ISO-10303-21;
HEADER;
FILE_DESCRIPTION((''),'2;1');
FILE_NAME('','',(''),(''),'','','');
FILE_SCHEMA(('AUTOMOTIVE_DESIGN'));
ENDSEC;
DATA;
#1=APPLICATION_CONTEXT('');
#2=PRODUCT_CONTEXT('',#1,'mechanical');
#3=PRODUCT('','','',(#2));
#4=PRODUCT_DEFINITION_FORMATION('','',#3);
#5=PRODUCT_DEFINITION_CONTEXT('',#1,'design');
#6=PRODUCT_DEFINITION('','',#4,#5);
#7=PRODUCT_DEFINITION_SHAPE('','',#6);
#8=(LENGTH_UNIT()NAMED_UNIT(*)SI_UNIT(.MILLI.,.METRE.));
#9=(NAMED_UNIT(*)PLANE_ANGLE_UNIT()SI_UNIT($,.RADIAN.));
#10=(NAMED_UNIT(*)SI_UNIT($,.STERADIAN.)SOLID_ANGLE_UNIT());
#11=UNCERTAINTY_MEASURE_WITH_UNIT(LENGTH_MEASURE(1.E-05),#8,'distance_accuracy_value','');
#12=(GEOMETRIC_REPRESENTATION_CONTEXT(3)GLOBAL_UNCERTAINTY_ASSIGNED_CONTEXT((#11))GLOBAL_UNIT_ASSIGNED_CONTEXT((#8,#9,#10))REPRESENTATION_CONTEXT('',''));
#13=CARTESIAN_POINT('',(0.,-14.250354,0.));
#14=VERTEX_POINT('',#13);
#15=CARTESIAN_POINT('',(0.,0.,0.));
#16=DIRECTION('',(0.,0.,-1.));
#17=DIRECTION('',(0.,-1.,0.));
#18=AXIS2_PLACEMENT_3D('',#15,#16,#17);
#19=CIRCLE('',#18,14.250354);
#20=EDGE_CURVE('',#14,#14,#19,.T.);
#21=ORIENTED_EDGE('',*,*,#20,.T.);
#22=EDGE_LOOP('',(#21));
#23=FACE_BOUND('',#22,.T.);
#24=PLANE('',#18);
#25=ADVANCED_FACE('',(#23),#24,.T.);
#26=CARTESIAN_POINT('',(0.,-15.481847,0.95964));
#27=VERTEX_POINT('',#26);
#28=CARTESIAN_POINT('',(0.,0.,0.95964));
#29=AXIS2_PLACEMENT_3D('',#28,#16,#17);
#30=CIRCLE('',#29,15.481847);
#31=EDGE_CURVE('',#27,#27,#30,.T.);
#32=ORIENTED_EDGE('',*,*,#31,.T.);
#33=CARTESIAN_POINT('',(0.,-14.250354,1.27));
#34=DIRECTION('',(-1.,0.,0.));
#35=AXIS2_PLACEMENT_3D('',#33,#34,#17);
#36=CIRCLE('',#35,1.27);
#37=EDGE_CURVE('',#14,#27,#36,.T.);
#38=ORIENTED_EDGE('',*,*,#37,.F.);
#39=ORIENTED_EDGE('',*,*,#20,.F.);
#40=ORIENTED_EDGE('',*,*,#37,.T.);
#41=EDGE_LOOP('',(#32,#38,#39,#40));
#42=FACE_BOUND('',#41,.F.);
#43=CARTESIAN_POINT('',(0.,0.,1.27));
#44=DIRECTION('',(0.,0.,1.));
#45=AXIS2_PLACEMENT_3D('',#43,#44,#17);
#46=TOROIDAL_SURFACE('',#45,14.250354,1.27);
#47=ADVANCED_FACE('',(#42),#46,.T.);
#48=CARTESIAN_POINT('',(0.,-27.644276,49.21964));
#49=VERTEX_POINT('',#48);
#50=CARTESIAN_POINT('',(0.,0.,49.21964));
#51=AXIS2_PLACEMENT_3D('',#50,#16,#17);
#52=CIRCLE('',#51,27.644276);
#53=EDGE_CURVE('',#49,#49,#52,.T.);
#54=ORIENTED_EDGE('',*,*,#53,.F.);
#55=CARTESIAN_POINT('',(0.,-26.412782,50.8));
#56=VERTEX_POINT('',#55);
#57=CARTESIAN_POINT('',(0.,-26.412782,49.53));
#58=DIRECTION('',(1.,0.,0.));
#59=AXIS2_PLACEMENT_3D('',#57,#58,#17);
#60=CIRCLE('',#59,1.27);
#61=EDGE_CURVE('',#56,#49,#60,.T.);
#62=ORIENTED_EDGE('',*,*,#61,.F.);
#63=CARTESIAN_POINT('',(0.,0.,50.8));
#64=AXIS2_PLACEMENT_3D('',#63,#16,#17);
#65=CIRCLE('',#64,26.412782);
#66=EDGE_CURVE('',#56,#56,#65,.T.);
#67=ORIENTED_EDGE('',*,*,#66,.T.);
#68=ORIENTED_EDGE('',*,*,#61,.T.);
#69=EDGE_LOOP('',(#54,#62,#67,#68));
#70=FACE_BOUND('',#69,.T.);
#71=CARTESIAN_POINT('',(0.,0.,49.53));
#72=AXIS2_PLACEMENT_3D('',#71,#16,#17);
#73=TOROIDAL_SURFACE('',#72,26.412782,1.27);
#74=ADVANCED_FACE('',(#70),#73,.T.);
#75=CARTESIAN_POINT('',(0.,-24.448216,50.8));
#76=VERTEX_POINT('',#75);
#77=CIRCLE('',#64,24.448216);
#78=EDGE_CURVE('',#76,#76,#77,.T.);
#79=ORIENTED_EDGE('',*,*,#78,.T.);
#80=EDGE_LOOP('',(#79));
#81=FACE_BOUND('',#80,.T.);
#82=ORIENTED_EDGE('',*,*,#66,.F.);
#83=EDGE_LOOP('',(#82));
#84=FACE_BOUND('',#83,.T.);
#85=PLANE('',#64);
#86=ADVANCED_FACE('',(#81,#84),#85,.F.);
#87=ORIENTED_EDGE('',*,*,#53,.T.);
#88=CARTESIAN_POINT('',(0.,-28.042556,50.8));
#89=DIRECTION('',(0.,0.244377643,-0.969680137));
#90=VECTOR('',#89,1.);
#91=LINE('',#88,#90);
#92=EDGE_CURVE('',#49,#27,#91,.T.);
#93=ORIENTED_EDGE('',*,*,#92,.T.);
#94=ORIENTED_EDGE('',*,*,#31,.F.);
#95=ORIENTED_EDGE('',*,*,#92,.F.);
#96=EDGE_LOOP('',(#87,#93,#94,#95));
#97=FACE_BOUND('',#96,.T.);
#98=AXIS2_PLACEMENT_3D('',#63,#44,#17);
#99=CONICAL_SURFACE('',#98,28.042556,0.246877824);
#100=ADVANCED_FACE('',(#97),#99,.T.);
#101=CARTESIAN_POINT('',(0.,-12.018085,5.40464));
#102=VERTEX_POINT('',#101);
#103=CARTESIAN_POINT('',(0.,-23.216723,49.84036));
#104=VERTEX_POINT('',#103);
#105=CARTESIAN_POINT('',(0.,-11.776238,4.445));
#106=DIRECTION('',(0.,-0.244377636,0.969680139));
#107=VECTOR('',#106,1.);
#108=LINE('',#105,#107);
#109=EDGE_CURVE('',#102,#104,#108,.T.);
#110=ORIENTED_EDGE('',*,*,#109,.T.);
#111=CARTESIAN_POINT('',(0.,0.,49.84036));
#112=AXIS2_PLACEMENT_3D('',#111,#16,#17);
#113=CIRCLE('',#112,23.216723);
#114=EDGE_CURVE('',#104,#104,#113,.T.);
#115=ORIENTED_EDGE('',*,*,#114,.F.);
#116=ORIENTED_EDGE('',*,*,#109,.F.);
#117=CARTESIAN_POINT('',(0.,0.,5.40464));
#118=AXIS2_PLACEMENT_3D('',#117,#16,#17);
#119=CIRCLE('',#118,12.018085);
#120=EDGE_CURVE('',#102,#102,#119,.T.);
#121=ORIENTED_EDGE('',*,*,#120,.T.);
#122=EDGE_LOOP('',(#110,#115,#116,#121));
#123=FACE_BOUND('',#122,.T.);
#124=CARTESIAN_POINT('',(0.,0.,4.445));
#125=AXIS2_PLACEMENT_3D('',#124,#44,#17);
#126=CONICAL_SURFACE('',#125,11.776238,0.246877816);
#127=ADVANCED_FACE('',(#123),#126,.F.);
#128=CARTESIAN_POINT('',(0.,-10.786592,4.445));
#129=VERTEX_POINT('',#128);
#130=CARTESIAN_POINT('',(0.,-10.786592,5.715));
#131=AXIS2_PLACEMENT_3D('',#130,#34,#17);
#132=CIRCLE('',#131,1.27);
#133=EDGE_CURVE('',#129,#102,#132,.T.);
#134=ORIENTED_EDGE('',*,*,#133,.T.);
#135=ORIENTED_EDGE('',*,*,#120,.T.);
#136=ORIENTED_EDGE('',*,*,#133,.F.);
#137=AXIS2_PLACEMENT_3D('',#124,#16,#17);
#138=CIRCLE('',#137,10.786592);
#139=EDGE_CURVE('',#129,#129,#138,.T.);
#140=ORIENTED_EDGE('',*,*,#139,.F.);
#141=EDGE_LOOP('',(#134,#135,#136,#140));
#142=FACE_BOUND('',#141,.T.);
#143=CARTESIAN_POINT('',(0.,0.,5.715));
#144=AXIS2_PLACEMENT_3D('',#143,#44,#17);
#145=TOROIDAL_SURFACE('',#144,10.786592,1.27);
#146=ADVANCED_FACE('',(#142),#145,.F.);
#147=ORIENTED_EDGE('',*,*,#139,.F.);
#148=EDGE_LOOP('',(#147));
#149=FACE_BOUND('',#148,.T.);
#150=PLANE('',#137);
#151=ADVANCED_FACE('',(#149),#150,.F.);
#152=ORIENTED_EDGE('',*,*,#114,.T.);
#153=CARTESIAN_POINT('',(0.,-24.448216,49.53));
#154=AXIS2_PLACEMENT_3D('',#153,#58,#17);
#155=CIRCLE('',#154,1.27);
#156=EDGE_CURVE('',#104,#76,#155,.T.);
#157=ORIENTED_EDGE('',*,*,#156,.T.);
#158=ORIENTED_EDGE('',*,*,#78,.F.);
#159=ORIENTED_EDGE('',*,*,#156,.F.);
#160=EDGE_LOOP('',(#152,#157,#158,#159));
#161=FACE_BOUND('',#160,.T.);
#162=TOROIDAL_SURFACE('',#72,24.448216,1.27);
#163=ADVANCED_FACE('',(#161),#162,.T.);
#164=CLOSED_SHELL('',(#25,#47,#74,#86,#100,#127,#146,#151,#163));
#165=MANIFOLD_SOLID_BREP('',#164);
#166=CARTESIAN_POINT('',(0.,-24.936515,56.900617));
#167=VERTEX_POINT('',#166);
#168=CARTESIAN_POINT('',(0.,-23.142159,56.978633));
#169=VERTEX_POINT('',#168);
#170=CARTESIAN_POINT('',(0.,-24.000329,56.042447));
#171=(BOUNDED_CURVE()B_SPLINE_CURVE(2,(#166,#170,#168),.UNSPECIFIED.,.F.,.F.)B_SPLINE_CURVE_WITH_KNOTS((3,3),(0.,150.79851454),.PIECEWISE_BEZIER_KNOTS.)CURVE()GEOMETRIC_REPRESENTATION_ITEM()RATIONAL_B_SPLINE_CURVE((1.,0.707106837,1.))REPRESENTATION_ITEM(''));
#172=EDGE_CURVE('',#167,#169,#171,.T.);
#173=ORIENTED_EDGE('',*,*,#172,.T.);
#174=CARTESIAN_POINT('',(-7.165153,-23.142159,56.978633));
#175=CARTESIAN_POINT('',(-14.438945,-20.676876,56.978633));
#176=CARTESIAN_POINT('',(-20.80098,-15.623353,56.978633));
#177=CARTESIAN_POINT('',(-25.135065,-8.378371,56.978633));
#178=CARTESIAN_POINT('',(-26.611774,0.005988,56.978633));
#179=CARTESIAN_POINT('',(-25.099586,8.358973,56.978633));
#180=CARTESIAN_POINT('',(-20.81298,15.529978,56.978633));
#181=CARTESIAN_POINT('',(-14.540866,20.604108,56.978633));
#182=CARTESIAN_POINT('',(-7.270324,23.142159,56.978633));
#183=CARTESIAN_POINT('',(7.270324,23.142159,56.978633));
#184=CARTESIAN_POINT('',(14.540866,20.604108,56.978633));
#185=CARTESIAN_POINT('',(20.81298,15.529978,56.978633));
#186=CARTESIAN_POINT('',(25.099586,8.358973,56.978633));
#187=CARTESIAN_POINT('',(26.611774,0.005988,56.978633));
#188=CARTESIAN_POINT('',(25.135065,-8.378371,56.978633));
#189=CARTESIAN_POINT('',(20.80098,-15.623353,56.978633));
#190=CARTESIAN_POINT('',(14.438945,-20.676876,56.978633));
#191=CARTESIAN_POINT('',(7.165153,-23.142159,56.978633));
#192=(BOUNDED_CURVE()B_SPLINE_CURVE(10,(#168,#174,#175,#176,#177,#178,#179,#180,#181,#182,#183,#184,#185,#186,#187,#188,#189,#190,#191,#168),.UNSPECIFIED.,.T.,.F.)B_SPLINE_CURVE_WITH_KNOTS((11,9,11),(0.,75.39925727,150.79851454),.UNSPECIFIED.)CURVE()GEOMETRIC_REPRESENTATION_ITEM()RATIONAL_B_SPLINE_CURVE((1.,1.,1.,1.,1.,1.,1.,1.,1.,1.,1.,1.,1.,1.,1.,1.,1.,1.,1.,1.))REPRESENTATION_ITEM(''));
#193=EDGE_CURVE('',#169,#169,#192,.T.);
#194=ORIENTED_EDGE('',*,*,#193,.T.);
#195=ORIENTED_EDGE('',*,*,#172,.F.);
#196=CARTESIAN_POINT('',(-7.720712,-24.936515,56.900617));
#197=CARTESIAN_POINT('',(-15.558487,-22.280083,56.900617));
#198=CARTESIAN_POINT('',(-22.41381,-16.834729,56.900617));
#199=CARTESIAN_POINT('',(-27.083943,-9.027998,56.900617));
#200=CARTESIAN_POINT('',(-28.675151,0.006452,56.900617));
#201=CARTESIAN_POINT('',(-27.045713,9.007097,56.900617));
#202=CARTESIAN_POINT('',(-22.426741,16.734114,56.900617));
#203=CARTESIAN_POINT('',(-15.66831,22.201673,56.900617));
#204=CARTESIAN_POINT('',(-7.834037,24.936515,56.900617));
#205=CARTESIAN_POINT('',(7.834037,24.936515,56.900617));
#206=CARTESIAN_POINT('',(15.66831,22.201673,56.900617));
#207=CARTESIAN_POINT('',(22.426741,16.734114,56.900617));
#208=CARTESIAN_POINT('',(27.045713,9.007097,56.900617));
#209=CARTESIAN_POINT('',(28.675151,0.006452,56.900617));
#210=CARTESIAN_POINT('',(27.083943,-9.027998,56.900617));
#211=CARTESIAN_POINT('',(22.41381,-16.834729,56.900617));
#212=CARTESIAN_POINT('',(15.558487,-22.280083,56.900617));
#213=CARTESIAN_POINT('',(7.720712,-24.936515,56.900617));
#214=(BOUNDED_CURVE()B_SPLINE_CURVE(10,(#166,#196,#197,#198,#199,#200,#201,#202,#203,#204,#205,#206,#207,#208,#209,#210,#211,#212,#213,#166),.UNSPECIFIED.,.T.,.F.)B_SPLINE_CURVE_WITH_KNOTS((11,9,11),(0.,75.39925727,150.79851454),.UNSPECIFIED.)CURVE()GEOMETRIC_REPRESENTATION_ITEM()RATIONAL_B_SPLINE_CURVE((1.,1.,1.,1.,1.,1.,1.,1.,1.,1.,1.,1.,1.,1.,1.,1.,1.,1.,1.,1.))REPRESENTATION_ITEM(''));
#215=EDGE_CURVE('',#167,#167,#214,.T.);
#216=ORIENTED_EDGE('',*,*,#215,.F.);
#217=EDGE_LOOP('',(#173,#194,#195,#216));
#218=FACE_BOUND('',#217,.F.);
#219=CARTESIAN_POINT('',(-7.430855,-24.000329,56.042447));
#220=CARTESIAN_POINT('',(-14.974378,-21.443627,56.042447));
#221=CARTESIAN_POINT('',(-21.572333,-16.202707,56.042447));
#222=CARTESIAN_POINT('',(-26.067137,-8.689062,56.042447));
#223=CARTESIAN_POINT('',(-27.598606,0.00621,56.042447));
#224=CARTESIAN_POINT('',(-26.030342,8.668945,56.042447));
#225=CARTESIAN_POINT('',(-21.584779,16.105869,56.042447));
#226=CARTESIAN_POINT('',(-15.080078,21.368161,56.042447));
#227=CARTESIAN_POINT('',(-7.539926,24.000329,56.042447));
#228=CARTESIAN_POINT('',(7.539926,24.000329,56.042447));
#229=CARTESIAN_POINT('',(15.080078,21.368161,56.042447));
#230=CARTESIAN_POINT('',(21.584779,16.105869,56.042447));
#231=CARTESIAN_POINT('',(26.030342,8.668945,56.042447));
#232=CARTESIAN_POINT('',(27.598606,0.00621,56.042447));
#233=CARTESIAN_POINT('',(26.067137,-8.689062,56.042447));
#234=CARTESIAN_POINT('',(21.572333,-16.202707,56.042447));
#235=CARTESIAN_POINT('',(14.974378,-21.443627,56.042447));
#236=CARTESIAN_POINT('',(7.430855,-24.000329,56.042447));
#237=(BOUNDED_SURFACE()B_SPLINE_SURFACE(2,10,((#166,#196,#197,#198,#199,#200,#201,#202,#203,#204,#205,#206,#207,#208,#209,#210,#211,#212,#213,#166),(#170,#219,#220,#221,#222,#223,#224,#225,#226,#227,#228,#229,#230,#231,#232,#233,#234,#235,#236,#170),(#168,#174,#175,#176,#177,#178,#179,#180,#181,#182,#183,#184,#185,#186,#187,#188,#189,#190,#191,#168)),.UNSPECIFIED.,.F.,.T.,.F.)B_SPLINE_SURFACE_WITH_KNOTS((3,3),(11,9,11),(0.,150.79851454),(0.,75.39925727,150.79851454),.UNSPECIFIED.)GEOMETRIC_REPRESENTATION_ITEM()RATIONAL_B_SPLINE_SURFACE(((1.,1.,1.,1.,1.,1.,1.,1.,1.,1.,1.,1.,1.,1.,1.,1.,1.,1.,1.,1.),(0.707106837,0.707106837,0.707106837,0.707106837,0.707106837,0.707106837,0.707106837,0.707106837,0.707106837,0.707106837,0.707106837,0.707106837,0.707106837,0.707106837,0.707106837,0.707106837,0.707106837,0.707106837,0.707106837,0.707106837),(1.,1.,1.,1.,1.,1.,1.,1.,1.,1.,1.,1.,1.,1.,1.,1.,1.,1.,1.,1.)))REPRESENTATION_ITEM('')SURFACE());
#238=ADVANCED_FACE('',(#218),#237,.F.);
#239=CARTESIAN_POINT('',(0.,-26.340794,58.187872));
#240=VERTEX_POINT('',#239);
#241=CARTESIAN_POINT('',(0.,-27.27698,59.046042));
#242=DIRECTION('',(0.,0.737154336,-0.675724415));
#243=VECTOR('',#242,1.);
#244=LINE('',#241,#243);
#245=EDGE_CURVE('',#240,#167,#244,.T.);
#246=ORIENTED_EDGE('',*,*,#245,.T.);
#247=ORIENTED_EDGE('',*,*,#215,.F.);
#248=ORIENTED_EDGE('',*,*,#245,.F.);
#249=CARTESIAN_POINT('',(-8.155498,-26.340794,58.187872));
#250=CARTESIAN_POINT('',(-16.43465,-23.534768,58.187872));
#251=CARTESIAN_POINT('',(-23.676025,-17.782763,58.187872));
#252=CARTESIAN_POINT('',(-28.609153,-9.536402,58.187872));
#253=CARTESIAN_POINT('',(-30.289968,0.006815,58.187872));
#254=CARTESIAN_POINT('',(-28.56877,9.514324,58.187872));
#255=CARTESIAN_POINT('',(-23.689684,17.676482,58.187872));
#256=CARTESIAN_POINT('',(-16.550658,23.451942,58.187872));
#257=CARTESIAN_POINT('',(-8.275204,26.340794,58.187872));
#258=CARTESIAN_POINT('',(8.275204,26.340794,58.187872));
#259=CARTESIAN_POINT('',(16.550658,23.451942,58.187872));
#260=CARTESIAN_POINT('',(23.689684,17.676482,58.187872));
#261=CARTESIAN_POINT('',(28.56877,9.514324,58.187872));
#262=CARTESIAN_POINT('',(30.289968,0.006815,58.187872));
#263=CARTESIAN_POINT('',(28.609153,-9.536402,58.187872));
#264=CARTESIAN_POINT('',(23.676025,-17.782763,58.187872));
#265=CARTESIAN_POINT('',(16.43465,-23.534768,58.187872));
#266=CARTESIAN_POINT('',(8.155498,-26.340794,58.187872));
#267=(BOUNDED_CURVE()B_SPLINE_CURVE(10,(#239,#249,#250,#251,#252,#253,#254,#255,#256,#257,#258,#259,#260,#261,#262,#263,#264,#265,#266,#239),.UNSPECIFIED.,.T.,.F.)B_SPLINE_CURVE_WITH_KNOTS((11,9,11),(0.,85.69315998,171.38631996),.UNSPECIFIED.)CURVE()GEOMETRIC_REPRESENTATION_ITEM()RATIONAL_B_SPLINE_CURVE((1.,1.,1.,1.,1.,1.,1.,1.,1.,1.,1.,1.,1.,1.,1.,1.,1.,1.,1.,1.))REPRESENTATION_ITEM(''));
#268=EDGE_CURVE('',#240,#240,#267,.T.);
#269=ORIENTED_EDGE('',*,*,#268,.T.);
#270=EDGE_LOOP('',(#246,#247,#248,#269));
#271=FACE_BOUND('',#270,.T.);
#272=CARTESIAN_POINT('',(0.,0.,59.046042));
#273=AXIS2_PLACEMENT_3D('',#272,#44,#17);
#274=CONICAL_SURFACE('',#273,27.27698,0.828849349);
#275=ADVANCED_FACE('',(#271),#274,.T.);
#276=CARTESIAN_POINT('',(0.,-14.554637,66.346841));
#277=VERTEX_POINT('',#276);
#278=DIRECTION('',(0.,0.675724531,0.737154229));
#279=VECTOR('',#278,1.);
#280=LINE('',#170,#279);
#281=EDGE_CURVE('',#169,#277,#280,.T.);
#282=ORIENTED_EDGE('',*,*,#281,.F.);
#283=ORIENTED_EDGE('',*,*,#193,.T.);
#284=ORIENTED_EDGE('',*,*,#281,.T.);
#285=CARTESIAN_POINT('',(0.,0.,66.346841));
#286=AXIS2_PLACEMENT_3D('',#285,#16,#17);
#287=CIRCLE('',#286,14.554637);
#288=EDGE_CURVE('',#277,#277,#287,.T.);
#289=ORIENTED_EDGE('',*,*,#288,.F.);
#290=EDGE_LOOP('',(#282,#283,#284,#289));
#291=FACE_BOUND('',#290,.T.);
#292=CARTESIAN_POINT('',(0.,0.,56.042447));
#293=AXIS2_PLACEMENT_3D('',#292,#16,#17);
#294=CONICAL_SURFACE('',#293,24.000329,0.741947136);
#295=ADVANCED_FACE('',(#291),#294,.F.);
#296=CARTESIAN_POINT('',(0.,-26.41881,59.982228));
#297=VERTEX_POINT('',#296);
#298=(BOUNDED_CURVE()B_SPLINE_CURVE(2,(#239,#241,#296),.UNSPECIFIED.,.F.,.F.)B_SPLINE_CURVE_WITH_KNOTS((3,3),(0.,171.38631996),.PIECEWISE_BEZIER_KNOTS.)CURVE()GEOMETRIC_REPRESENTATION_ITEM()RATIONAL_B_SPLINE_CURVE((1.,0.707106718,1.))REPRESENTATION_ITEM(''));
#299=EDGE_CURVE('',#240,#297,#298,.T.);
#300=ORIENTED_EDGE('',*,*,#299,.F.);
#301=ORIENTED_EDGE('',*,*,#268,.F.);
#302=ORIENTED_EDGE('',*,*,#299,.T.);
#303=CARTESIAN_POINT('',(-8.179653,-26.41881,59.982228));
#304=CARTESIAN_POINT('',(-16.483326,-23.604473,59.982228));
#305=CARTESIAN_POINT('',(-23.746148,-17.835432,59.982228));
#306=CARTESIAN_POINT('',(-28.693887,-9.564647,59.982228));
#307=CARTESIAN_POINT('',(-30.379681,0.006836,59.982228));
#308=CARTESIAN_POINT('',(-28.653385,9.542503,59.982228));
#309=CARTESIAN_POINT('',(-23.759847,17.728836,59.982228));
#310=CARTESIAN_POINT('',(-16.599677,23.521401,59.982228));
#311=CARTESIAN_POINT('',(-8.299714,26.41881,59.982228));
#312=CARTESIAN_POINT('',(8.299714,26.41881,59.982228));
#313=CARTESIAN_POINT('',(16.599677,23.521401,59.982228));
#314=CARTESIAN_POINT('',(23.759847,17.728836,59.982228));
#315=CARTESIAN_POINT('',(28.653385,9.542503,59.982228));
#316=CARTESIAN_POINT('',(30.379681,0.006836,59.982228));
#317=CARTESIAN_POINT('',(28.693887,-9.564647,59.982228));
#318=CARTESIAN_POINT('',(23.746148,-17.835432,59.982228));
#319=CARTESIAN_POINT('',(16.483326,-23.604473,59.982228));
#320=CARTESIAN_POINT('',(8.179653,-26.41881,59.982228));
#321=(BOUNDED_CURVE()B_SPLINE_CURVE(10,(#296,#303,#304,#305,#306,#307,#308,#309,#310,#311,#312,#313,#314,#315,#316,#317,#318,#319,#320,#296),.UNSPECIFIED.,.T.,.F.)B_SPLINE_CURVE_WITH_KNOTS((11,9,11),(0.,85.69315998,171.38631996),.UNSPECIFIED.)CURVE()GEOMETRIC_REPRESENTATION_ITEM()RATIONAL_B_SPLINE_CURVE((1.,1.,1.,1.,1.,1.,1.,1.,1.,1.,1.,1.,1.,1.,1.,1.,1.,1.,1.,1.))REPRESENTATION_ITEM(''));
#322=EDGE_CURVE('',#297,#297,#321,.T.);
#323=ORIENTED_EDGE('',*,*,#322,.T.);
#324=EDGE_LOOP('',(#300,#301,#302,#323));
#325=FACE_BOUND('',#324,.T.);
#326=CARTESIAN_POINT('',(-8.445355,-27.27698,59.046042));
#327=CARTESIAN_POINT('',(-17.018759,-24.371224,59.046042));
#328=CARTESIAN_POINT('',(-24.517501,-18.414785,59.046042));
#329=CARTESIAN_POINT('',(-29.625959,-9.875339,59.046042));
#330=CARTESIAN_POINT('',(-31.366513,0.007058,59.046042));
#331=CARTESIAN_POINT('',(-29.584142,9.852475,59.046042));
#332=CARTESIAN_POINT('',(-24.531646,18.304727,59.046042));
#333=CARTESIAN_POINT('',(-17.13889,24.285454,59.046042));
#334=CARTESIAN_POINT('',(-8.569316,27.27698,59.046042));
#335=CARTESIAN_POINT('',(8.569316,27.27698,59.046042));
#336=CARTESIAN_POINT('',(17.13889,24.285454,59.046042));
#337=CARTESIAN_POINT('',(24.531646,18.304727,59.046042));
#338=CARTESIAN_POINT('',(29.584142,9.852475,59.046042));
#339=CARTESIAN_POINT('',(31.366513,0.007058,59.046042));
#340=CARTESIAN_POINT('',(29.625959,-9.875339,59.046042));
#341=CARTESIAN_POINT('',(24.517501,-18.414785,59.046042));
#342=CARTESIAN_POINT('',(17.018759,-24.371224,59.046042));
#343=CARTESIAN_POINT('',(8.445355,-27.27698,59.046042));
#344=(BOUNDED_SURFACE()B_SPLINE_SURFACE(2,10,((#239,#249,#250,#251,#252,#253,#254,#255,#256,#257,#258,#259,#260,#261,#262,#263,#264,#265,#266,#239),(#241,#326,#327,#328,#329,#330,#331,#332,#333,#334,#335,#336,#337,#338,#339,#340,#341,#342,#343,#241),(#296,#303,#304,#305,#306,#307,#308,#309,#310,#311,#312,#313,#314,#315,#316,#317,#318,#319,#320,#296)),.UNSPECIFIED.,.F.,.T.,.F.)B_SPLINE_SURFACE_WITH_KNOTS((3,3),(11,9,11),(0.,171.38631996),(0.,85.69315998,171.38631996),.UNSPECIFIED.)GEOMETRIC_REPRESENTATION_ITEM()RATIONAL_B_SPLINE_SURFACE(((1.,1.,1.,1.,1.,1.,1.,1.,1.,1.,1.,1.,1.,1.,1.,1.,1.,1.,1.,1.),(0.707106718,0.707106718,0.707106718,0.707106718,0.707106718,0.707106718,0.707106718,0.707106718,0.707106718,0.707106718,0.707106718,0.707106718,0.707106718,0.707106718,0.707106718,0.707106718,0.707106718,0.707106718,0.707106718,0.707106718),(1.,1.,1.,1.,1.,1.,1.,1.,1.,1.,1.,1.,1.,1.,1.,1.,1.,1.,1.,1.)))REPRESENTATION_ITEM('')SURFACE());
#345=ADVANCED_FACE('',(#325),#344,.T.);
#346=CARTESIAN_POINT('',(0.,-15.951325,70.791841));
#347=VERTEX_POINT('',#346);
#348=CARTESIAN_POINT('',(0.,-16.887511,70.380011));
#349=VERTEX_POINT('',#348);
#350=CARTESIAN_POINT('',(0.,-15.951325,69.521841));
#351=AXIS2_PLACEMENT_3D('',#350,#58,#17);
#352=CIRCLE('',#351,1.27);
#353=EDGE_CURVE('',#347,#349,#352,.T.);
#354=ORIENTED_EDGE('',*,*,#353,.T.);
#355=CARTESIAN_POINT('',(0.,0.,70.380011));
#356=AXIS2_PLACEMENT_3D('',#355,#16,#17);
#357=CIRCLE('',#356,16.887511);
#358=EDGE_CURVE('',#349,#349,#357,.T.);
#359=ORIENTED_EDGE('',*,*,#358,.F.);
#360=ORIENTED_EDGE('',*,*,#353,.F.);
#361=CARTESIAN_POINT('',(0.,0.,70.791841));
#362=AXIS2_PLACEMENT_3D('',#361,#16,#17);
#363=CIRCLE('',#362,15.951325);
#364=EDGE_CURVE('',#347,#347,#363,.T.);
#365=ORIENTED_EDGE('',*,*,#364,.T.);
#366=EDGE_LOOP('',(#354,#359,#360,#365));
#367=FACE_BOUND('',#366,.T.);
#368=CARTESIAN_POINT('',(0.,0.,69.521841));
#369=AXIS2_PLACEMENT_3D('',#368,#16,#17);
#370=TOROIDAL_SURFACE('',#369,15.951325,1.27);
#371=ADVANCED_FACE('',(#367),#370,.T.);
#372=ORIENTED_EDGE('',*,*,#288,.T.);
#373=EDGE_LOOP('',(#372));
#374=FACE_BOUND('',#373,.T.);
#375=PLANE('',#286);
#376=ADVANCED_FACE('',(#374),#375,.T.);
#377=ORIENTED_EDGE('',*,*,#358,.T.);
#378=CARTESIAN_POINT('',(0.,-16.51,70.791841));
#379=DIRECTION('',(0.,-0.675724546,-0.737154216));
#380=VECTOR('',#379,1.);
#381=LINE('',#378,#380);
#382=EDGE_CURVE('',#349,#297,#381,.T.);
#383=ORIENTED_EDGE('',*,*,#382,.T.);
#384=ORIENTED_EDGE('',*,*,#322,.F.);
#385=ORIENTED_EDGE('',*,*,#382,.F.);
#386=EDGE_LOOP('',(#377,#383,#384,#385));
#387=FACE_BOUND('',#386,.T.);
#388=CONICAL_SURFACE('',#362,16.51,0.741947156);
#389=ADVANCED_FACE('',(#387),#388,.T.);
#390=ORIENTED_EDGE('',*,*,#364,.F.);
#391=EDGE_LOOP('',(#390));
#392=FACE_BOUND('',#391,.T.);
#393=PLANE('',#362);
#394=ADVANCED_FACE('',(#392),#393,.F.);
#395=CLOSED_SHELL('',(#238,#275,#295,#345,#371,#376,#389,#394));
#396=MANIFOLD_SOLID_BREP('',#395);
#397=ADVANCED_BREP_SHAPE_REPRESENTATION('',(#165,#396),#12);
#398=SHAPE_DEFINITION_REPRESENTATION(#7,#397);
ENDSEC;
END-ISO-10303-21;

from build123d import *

# Parameters (mm, degrees)
F2_R = 1.27


with BuildPart() as f1:
    # F0 (on Right) → F1 (revolve)
    with BuildSketch(Plane.YZ):
        Polygon((-15.24, 0), (0, 0), (0, 4.445), (-11.776238, 4.445), (-23.45857, 50.8), (-28.042556, 50.8), align=None)
        Polygon((-27.27698, 59.046042), (-24.000329, 56.042447), (-14.554637, 66.346841), (0, 66.346841), (0, 70.791841), (-16.51, 70.791841), align=None)
    revolve(axis=Axis((0, 0, 2.2225), (0, 0, -1)))

    # F2
    f2_edges = [f1.edges().sort_by_distance(p)[0] for p in [
        (0, 28.042556, 50.8),
        (0, 23.45857, 50.8),
        (0, 11.776238, 4.445),
        (0, 15.24, 0),
        (0, 27.27698, 59.046042),
        (0, 24.000329, 56.042447),
        (0, 16.51, 70.791841),
    ]]
    fillet(f2_edges, radius=F2_R)


solid = f1.part
